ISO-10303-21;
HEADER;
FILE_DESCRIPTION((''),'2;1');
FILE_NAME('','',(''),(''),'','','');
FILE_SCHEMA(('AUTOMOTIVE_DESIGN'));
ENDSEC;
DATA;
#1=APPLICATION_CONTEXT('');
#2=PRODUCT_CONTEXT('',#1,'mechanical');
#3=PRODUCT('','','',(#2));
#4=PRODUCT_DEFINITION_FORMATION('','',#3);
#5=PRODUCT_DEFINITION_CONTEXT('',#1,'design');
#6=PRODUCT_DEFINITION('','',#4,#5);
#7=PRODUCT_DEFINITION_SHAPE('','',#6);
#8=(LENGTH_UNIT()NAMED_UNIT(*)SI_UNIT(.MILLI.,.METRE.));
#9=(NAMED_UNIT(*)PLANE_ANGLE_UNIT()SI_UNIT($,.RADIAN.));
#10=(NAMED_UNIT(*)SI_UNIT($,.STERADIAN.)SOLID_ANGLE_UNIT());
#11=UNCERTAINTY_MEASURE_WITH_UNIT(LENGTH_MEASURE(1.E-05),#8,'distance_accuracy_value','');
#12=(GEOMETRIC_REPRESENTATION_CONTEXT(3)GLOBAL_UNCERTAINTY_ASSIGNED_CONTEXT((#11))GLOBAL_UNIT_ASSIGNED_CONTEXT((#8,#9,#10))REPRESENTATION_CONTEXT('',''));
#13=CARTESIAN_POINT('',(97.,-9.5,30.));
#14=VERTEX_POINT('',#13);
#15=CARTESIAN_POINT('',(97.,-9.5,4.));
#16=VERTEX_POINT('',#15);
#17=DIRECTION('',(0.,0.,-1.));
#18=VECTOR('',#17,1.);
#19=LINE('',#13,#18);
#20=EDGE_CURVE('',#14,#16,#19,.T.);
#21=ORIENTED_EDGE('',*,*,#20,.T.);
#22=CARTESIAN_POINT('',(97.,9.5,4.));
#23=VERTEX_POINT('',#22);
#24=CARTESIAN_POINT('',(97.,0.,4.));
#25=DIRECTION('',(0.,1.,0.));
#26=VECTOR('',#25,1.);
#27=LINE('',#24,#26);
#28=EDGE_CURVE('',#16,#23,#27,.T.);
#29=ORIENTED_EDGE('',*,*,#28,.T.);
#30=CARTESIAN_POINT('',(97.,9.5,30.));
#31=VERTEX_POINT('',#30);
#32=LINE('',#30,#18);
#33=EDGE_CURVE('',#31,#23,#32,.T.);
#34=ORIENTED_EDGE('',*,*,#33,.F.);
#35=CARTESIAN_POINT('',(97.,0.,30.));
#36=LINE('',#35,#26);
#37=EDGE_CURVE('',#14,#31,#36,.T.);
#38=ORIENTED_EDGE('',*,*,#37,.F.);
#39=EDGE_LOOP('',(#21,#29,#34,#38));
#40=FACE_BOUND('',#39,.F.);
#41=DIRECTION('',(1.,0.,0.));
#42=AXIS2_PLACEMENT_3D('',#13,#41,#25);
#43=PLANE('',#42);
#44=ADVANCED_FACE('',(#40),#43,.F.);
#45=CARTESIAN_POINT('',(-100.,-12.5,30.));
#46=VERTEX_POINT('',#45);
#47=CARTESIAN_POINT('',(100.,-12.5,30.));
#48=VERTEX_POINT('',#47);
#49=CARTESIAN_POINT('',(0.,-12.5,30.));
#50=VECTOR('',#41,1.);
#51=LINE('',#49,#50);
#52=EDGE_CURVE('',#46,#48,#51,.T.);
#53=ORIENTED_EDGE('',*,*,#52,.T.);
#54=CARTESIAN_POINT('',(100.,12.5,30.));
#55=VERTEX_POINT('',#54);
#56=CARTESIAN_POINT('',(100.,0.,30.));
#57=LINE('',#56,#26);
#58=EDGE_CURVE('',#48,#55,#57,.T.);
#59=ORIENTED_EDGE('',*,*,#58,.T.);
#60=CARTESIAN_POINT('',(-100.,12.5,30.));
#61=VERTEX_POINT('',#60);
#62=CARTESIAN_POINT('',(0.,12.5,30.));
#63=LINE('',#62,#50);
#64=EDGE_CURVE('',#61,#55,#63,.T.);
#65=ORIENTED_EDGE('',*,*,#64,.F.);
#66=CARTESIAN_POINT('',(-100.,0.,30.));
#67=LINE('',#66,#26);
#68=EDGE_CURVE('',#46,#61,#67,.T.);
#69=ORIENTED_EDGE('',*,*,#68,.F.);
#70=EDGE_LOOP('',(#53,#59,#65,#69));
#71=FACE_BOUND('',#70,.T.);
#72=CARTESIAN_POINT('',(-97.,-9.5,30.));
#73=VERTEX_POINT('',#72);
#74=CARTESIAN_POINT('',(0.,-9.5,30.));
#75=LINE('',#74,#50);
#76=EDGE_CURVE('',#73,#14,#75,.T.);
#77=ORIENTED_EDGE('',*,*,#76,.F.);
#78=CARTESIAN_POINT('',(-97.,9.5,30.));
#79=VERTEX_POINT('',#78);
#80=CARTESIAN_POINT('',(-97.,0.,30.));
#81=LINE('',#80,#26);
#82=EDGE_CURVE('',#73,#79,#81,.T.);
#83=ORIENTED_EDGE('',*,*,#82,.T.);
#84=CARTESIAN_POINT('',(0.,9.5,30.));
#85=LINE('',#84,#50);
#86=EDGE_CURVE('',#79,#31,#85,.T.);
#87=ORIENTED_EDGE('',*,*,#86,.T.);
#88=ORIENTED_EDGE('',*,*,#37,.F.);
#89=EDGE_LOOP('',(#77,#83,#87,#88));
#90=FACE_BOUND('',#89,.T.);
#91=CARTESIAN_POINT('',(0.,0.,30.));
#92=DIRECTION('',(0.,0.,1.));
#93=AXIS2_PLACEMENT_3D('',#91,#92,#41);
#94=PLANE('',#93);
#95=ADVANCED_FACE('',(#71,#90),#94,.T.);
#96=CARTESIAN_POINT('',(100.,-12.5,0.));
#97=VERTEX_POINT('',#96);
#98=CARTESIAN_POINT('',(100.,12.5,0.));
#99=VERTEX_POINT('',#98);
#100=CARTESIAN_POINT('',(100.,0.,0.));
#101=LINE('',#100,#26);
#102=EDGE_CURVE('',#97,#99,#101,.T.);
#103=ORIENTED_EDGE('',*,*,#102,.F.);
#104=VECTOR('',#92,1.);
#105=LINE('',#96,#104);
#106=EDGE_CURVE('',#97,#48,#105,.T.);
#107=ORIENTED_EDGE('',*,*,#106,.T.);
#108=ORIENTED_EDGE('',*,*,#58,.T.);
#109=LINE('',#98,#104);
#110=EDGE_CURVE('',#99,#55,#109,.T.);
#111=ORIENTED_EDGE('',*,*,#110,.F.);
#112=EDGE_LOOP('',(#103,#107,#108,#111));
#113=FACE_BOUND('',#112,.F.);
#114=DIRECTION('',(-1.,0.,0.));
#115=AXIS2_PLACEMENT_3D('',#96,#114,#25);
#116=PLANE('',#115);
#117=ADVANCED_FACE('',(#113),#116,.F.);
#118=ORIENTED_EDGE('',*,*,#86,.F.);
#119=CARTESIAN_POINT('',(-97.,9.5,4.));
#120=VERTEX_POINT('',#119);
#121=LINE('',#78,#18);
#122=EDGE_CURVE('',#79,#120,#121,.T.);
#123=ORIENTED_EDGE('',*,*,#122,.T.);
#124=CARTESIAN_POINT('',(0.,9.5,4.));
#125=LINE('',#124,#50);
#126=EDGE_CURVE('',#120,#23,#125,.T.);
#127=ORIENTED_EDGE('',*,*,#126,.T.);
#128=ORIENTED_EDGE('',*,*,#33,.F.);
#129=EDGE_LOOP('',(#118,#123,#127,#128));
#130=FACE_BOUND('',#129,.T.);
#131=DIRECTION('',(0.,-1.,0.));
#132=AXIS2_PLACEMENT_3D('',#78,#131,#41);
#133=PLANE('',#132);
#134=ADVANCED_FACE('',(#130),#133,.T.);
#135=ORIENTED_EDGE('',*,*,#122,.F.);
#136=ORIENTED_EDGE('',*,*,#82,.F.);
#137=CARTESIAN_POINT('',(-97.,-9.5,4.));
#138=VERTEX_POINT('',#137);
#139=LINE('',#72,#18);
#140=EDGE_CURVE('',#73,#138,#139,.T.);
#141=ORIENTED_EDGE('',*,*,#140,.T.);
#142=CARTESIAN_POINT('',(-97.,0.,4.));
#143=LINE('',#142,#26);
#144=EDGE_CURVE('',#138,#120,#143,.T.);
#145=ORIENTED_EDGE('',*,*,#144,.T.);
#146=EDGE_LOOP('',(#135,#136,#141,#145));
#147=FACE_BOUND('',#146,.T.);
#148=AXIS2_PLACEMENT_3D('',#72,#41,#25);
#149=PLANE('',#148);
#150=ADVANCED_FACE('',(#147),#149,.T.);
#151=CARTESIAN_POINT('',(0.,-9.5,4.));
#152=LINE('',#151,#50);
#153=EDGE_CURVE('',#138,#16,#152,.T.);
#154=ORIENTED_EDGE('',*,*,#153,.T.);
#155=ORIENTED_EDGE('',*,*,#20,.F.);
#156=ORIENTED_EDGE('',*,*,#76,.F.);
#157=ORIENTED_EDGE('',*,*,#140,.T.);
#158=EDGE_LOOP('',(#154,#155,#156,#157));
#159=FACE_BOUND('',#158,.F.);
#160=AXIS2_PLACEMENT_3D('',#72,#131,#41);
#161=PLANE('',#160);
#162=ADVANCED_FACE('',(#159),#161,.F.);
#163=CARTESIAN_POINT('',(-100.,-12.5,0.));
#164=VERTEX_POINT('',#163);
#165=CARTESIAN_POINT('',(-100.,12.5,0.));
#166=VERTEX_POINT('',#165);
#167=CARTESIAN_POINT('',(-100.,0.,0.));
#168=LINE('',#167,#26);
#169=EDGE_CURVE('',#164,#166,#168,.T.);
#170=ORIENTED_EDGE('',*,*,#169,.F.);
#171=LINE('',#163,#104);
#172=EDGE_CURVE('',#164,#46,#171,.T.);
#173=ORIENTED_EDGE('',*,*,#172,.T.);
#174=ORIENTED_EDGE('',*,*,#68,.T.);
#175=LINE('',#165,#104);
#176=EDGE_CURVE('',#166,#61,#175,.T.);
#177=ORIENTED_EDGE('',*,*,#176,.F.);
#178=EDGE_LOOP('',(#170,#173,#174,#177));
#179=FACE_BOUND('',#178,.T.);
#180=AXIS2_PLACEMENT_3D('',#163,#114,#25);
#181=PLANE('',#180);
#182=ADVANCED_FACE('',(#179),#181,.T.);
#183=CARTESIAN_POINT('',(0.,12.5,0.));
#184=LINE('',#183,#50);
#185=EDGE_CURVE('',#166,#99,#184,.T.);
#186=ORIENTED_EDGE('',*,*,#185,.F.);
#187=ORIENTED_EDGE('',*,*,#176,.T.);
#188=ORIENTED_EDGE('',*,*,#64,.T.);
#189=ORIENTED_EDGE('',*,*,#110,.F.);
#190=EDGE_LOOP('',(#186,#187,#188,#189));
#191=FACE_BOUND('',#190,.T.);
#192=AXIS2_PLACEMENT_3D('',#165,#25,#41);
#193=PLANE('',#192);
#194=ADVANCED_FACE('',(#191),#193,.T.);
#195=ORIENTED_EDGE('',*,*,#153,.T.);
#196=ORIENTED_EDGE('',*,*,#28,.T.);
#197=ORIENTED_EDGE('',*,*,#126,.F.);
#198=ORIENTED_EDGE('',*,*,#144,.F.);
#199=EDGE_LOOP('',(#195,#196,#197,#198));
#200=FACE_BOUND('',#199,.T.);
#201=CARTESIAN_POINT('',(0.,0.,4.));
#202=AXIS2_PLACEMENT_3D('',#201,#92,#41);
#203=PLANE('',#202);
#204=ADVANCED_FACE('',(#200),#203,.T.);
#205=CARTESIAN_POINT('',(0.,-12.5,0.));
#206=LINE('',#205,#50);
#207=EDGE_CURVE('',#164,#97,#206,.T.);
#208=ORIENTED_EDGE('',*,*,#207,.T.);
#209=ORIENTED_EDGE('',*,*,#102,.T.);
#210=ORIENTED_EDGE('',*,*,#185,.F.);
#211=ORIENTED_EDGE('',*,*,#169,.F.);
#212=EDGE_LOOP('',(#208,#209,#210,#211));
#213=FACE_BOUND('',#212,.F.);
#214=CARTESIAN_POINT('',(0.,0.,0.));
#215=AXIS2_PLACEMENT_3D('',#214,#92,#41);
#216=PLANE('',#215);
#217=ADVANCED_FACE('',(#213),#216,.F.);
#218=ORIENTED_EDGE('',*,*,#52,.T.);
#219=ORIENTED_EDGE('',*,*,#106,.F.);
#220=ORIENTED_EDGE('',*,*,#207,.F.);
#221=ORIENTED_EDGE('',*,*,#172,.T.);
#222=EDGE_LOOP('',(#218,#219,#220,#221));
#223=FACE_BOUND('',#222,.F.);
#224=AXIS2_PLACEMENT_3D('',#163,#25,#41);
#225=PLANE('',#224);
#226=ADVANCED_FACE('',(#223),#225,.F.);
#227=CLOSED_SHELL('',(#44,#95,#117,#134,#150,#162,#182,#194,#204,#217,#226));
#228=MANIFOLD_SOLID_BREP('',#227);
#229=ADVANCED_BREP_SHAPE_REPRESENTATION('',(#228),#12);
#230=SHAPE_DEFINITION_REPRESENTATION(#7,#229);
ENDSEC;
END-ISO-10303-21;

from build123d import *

# Parameters (mm, degrees)
SKETCH_W     = 200
SKETCH_H     = 25
PAD_DEPTH    = 30
SKETCH001_W  = 194
SKETCH001_H  = 19
POCKET_DEPTH = 26


with BuildPart() as part:
    # Sketch → Pad (new body)
    with BuildSketch(Plane.XY):
        Rectangle(SKETCH_W, SKETCH_H)
    extrude(amount=PAD_DEPTH)

    # Sketch001 (on DatumPlane) → Pocket (cut)
    with BuildSketch(Plane.XY.offset(30)):
        Rectangle(SKETCH001_W, SKETCH001_H)
    extrude(amount=-POCKET_DEPTH, mode=Mode.SUBTRACT)


solid = part.part
